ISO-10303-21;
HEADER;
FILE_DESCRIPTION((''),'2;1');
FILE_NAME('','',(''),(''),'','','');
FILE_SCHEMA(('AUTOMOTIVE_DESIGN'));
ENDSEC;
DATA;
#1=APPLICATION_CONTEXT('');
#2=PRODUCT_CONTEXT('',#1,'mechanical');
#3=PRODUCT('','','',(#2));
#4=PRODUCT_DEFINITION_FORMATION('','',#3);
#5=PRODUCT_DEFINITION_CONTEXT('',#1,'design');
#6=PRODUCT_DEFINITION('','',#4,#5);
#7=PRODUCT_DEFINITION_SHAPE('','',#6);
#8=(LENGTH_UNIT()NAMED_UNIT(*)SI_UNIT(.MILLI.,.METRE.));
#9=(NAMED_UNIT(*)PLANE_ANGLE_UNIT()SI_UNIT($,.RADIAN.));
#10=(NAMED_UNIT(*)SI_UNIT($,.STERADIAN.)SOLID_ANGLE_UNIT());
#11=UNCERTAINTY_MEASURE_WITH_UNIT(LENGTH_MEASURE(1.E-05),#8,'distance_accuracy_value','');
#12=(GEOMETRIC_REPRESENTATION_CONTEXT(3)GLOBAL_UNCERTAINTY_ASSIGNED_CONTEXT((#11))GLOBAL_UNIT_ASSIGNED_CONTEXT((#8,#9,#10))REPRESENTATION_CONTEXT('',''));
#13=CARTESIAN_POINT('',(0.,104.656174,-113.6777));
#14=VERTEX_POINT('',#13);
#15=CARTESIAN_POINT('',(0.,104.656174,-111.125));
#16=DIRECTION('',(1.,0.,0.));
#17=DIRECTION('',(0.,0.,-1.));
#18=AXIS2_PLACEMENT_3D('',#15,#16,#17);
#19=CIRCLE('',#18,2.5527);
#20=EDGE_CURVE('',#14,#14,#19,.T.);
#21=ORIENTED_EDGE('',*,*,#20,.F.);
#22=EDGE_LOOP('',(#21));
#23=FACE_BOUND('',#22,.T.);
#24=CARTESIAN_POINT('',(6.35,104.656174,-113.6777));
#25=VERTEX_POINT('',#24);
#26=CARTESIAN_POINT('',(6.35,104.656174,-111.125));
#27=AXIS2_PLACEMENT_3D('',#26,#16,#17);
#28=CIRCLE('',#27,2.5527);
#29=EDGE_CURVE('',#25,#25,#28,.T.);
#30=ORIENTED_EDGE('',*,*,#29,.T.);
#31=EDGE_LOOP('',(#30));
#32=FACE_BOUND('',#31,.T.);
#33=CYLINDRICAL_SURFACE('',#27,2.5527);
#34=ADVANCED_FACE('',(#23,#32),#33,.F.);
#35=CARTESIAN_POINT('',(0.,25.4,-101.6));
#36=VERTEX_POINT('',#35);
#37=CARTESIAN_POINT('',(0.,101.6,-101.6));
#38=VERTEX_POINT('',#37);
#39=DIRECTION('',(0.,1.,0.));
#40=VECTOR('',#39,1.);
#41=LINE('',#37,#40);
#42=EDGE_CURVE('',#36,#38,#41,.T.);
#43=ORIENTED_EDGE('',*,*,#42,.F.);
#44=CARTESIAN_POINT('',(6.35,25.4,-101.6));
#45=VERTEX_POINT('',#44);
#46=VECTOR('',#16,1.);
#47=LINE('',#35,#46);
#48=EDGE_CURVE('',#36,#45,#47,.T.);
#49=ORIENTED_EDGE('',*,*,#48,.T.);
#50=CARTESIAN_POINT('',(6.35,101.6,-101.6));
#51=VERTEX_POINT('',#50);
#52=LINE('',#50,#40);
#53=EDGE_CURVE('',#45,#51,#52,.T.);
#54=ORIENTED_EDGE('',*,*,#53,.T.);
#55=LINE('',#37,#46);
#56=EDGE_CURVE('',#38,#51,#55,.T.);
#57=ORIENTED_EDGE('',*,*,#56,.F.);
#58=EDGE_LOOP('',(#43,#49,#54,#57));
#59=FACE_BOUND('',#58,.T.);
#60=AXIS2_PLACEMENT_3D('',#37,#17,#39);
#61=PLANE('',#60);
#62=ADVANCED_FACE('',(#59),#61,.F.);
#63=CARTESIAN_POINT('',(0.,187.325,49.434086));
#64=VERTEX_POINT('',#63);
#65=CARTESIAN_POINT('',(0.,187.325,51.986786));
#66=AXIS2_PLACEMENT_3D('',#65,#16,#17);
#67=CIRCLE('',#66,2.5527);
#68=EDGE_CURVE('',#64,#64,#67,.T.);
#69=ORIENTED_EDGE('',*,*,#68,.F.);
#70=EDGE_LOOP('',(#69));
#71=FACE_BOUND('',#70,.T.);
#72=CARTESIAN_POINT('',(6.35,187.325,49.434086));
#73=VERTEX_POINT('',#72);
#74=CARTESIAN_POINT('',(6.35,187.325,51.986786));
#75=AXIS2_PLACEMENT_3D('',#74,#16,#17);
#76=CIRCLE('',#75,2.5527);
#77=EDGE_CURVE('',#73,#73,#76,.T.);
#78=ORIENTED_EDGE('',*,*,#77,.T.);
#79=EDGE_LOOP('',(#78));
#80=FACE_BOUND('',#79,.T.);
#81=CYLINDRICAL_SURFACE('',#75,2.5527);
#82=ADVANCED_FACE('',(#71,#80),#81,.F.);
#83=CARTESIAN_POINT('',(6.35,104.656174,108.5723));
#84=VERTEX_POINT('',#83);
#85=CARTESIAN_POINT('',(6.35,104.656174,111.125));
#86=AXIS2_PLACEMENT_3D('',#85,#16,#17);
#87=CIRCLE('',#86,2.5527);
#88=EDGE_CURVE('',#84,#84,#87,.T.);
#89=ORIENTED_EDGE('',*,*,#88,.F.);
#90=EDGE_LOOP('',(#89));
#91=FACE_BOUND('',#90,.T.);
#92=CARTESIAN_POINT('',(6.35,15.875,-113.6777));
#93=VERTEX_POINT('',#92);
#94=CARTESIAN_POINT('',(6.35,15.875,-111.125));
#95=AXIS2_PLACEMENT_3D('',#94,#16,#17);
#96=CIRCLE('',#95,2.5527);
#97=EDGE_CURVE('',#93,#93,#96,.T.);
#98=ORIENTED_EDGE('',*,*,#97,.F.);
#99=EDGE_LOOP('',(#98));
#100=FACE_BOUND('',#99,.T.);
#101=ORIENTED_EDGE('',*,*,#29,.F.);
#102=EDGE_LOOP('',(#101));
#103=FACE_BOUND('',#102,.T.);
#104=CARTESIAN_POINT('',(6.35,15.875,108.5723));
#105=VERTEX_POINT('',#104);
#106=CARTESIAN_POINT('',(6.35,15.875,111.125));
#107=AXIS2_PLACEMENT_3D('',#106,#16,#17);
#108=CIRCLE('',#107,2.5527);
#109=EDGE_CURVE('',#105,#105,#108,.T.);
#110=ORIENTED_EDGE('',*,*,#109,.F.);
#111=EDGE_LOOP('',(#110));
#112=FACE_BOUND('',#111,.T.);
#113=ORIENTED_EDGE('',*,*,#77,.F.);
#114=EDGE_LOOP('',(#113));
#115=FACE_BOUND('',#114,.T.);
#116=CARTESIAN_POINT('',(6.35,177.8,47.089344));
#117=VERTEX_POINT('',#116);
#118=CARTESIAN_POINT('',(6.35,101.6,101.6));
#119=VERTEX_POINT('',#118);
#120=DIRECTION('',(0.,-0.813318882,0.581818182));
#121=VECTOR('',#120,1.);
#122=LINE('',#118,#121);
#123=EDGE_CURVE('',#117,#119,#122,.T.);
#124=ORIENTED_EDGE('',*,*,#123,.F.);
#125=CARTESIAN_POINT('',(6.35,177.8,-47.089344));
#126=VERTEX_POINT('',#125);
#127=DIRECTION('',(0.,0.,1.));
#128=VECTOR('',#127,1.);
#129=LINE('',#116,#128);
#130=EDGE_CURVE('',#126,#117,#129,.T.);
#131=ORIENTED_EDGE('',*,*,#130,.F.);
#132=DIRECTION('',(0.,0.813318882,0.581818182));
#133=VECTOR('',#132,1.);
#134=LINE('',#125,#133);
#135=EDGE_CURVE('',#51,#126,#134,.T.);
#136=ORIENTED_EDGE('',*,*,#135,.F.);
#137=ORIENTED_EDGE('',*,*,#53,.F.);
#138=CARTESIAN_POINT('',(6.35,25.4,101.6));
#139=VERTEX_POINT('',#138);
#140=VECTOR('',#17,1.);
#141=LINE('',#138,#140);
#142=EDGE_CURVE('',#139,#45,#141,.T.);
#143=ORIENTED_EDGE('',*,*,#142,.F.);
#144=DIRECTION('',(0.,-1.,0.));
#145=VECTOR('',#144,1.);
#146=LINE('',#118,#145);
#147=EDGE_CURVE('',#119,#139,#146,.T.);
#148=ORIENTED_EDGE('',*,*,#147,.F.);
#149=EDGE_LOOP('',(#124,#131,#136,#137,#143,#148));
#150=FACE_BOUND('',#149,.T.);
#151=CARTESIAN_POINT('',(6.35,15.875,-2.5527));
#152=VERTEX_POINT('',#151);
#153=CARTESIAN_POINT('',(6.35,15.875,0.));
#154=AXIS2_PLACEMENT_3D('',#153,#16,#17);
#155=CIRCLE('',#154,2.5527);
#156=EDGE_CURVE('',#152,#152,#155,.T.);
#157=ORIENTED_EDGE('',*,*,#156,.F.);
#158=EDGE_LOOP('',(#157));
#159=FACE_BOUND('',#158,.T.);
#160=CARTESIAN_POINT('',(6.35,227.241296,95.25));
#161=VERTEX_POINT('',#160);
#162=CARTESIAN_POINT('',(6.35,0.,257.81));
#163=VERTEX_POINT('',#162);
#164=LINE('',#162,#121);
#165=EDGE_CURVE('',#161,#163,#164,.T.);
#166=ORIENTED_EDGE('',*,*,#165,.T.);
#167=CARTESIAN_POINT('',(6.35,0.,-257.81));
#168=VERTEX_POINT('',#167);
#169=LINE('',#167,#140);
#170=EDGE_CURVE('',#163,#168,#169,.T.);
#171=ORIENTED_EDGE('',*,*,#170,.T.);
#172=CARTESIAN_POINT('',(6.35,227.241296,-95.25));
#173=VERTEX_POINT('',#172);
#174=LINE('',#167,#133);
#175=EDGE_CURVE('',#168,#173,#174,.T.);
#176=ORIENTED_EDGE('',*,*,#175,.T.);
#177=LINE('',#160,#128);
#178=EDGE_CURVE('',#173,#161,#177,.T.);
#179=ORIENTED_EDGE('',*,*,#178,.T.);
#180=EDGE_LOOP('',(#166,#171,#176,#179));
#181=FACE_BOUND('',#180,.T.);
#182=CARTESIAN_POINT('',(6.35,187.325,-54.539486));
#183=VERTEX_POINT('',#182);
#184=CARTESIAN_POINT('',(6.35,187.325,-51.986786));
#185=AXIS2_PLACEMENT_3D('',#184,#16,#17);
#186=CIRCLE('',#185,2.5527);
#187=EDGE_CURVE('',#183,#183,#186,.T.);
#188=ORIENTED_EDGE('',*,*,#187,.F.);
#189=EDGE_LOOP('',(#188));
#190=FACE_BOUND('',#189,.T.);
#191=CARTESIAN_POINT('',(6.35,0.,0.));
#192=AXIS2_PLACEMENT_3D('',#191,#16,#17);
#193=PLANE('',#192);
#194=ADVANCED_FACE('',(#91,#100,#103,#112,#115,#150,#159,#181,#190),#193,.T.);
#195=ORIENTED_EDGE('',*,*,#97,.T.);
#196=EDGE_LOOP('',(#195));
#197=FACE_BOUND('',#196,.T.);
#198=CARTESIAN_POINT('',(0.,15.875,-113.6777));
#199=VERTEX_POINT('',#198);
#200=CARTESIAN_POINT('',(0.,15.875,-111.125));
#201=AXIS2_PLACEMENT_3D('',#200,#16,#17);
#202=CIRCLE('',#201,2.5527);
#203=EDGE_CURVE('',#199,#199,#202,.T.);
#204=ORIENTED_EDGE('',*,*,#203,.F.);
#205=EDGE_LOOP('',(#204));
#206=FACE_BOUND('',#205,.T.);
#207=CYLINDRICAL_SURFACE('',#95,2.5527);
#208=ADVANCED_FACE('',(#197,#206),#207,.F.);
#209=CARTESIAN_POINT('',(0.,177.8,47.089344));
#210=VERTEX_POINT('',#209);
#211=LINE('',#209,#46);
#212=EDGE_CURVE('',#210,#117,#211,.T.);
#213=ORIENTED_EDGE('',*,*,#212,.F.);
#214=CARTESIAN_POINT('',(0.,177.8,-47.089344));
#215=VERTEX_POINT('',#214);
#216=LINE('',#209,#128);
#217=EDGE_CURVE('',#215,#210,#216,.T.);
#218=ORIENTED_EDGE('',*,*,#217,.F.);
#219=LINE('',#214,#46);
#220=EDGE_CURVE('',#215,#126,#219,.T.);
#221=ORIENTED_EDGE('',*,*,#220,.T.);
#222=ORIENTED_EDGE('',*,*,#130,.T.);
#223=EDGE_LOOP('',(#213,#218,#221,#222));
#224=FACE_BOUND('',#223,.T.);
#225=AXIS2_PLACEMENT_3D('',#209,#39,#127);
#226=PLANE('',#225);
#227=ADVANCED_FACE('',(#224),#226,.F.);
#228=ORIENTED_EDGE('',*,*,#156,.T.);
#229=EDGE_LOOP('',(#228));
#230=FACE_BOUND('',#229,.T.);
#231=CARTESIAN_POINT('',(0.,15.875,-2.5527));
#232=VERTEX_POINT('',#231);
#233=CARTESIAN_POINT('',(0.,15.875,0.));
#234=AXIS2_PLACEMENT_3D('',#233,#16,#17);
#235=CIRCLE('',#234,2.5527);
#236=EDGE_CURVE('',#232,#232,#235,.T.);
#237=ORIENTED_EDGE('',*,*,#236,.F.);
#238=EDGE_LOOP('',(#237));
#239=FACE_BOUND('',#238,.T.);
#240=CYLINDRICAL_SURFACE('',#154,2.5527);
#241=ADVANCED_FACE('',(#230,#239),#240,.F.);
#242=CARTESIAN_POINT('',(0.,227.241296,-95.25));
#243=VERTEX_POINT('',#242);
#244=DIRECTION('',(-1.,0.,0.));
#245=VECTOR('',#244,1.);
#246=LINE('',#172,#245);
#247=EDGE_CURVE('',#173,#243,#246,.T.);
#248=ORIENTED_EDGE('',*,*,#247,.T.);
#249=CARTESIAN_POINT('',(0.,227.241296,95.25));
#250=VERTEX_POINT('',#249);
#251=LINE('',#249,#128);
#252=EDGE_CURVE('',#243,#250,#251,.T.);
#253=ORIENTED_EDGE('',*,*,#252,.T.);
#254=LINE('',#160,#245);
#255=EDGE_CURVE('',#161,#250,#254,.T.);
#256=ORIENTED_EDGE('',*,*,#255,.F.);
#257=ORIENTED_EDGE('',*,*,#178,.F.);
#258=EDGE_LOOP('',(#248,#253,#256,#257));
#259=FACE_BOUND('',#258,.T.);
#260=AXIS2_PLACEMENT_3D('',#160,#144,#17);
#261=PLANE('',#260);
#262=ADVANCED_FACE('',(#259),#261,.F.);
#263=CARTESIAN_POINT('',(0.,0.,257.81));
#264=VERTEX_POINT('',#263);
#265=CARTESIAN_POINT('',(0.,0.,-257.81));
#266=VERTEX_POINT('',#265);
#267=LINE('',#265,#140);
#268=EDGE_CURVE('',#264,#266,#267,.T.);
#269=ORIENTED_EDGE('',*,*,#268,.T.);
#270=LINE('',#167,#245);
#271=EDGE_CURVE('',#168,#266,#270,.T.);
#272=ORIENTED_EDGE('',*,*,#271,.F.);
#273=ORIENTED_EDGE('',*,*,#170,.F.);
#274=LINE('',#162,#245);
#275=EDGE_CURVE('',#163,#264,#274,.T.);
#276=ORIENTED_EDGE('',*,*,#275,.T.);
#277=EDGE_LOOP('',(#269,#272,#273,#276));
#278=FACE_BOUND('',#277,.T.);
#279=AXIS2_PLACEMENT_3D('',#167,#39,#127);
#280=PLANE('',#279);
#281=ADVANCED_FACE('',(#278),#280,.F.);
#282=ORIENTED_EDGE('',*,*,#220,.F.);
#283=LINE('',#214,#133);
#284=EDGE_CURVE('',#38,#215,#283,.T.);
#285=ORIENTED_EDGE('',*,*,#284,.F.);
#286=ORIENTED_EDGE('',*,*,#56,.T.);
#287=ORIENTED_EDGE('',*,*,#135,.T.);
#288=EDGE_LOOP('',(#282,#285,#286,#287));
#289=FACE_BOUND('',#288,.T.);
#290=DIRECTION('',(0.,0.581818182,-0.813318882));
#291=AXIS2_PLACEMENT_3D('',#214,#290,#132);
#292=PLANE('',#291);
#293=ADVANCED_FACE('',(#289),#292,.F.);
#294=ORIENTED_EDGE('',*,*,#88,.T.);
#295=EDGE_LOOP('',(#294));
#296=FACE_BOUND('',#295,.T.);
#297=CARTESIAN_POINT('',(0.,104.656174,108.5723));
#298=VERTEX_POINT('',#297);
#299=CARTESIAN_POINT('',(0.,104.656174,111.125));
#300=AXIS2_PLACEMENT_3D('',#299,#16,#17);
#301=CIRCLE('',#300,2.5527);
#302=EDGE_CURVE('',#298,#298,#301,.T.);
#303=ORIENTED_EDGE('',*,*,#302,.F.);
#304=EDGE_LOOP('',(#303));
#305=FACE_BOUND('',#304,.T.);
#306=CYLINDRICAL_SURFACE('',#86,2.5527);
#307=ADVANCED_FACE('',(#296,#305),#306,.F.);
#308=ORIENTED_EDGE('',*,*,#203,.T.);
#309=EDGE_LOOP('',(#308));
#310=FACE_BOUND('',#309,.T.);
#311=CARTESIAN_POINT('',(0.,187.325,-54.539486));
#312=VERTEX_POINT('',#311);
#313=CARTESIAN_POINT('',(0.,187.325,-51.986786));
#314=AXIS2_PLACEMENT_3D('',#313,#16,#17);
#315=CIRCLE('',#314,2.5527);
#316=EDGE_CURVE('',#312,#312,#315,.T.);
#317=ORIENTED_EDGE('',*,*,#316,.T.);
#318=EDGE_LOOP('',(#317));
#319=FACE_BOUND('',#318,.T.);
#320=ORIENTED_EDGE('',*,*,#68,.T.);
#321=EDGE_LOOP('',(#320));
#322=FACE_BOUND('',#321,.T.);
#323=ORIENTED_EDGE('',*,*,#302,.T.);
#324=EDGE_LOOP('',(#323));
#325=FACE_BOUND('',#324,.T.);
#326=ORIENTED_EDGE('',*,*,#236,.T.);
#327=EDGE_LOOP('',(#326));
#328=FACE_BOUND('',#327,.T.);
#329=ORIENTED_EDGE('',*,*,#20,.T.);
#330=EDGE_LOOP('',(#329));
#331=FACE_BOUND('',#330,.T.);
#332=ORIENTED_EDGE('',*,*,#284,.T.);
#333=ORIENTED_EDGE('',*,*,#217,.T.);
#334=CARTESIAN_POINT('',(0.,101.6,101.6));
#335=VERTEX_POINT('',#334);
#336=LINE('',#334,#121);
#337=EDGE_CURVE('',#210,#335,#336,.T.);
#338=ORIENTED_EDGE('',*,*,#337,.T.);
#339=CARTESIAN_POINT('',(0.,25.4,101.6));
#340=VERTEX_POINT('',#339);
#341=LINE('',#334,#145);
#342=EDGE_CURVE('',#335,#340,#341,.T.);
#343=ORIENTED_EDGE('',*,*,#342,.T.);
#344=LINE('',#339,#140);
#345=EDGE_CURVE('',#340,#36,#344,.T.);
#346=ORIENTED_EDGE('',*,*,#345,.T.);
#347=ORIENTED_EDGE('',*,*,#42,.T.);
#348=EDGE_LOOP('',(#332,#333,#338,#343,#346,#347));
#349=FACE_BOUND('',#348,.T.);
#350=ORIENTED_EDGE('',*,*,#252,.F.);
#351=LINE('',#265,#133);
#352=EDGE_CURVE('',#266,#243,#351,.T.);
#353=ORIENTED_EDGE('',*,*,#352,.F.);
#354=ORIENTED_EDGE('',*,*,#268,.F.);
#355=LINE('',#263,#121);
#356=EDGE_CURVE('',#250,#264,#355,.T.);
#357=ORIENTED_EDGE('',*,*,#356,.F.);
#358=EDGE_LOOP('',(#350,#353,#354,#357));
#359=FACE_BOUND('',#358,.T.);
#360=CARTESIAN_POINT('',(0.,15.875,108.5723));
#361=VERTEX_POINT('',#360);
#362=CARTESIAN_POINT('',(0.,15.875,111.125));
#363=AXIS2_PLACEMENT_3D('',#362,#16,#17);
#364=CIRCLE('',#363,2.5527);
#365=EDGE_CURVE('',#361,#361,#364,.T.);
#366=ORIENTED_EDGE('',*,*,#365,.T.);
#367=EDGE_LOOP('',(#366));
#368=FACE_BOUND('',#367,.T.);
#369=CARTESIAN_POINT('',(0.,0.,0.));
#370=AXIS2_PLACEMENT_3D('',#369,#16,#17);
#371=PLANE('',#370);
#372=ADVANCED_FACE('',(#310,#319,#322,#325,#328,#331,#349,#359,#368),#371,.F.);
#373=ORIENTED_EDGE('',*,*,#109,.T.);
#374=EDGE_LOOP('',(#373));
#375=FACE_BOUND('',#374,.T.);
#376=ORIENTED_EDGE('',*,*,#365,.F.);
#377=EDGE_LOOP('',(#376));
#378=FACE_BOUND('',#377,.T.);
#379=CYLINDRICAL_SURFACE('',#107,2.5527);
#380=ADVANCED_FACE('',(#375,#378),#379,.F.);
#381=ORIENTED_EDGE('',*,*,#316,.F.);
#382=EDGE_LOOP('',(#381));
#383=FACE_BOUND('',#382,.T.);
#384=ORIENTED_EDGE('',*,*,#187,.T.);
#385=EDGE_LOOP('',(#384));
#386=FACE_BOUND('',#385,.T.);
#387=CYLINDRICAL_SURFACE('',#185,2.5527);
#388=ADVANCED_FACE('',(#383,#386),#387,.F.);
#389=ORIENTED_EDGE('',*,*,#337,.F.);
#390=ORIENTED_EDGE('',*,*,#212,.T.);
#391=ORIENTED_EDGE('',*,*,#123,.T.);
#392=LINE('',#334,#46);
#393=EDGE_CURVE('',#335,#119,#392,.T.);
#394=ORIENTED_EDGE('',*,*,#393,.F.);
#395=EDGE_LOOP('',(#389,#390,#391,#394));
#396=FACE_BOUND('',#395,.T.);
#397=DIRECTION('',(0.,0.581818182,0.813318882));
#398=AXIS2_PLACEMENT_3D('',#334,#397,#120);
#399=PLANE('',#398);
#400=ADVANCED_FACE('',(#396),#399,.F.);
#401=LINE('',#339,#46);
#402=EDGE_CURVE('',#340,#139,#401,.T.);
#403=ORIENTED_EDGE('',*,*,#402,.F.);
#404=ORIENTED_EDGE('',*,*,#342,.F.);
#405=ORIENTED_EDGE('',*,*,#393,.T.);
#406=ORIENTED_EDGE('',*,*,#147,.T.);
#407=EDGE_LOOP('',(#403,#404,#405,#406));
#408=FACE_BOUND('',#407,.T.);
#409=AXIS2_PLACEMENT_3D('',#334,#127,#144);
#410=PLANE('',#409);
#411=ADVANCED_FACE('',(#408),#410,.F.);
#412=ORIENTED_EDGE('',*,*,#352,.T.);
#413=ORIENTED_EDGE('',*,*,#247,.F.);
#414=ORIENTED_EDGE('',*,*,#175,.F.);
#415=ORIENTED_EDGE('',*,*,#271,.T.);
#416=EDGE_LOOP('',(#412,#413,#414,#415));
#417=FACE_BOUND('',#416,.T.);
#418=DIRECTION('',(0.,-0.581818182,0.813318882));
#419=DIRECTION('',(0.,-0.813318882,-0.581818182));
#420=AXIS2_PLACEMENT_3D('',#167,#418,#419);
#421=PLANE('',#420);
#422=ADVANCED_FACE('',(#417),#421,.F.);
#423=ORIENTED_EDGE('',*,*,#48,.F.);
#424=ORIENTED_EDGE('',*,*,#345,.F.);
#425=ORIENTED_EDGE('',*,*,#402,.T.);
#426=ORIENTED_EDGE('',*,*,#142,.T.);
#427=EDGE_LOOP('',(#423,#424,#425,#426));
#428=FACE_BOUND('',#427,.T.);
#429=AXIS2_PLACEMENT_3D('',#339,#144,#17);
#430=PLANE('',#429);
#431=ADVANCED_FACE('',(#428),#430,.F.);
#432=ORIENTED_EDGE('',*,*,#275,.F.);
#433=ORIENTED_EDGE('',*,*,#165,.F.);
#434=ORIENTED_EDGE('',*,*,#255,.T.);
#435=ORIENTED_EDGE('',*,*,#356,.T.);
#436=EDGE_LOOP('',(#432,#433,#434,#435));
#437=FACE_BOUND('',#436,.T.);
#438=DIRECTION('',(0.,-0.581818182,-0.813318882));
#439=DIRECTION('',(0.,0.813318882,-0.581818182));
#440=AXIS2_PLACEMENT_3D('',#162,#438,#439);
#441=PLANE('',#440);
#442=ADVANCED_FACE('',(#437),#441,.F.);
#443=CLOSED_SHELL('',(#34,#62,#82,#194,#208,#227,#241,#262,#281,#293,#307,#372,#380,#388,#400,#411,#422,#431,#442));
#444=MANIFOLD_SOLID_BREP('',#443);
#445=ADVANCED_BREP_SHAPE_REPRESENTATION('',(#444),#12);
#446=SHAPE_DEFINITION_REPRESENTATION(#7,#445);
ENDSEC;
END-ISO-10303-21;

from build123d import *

# Parameters (mm, degrees)
BOSS_EXTRUDE1_DEPTH    = 6.35
CUT_EXTRUDE1_DEPTH     = 7.35
F_10_CLEARANCE_HOLE1_D = 5.1054


with BuildPart() as part:
    # Sketch1 → Boss-Extrude1 (new body)
    with BuildSketch(Plane(origin=(0, 0, 0), x_dir=(0, 0, -1), z_dir=(1, 0, 0))):
        Polygon((257.81, 0), (-257.81, 0), (-95.25, 227.241295543), (95.25, 227.241295543), align=None)
    extrude(amount=BOSS_EXTRUDE1_DEPTH)

    # Sketch3 → Cut-Extrude1 (cut, through all)
    with BuildSketch(Plane(origin=(6.35, 0, 0), x_dir=(0, 0, -1), z_dir=(1, 0, 0))):
        Polygon((-47.089344398, 177.8), (47.089344398, 177.8), (101.6, 101.6), (101.6, 25.4), (-101.6, 25.4), (-101.6, 101.6), align=None)
    extrude(amount=-CUT_EXTRUDE1_DEPTH, mode=Mode.SUBTRACT)

    # #10 Clearance Hole1 (through all)
    with Locations(Plane(origin=(6.35, 0, 0), x_dir=(0, 0, -1), z_dir=(1, 0, 0))):
        with Locations((51.986786112, 187.325), (-51.986786112, 187.325), (111.125, 104.656174089), (111.125, 15.875), (-111.125, 15.875), (-111.125, 104.656174089), (0, 15.875)):
            Hole(F_10_CLEARANCE_HOLE1_D / 2)


solid = part.part
